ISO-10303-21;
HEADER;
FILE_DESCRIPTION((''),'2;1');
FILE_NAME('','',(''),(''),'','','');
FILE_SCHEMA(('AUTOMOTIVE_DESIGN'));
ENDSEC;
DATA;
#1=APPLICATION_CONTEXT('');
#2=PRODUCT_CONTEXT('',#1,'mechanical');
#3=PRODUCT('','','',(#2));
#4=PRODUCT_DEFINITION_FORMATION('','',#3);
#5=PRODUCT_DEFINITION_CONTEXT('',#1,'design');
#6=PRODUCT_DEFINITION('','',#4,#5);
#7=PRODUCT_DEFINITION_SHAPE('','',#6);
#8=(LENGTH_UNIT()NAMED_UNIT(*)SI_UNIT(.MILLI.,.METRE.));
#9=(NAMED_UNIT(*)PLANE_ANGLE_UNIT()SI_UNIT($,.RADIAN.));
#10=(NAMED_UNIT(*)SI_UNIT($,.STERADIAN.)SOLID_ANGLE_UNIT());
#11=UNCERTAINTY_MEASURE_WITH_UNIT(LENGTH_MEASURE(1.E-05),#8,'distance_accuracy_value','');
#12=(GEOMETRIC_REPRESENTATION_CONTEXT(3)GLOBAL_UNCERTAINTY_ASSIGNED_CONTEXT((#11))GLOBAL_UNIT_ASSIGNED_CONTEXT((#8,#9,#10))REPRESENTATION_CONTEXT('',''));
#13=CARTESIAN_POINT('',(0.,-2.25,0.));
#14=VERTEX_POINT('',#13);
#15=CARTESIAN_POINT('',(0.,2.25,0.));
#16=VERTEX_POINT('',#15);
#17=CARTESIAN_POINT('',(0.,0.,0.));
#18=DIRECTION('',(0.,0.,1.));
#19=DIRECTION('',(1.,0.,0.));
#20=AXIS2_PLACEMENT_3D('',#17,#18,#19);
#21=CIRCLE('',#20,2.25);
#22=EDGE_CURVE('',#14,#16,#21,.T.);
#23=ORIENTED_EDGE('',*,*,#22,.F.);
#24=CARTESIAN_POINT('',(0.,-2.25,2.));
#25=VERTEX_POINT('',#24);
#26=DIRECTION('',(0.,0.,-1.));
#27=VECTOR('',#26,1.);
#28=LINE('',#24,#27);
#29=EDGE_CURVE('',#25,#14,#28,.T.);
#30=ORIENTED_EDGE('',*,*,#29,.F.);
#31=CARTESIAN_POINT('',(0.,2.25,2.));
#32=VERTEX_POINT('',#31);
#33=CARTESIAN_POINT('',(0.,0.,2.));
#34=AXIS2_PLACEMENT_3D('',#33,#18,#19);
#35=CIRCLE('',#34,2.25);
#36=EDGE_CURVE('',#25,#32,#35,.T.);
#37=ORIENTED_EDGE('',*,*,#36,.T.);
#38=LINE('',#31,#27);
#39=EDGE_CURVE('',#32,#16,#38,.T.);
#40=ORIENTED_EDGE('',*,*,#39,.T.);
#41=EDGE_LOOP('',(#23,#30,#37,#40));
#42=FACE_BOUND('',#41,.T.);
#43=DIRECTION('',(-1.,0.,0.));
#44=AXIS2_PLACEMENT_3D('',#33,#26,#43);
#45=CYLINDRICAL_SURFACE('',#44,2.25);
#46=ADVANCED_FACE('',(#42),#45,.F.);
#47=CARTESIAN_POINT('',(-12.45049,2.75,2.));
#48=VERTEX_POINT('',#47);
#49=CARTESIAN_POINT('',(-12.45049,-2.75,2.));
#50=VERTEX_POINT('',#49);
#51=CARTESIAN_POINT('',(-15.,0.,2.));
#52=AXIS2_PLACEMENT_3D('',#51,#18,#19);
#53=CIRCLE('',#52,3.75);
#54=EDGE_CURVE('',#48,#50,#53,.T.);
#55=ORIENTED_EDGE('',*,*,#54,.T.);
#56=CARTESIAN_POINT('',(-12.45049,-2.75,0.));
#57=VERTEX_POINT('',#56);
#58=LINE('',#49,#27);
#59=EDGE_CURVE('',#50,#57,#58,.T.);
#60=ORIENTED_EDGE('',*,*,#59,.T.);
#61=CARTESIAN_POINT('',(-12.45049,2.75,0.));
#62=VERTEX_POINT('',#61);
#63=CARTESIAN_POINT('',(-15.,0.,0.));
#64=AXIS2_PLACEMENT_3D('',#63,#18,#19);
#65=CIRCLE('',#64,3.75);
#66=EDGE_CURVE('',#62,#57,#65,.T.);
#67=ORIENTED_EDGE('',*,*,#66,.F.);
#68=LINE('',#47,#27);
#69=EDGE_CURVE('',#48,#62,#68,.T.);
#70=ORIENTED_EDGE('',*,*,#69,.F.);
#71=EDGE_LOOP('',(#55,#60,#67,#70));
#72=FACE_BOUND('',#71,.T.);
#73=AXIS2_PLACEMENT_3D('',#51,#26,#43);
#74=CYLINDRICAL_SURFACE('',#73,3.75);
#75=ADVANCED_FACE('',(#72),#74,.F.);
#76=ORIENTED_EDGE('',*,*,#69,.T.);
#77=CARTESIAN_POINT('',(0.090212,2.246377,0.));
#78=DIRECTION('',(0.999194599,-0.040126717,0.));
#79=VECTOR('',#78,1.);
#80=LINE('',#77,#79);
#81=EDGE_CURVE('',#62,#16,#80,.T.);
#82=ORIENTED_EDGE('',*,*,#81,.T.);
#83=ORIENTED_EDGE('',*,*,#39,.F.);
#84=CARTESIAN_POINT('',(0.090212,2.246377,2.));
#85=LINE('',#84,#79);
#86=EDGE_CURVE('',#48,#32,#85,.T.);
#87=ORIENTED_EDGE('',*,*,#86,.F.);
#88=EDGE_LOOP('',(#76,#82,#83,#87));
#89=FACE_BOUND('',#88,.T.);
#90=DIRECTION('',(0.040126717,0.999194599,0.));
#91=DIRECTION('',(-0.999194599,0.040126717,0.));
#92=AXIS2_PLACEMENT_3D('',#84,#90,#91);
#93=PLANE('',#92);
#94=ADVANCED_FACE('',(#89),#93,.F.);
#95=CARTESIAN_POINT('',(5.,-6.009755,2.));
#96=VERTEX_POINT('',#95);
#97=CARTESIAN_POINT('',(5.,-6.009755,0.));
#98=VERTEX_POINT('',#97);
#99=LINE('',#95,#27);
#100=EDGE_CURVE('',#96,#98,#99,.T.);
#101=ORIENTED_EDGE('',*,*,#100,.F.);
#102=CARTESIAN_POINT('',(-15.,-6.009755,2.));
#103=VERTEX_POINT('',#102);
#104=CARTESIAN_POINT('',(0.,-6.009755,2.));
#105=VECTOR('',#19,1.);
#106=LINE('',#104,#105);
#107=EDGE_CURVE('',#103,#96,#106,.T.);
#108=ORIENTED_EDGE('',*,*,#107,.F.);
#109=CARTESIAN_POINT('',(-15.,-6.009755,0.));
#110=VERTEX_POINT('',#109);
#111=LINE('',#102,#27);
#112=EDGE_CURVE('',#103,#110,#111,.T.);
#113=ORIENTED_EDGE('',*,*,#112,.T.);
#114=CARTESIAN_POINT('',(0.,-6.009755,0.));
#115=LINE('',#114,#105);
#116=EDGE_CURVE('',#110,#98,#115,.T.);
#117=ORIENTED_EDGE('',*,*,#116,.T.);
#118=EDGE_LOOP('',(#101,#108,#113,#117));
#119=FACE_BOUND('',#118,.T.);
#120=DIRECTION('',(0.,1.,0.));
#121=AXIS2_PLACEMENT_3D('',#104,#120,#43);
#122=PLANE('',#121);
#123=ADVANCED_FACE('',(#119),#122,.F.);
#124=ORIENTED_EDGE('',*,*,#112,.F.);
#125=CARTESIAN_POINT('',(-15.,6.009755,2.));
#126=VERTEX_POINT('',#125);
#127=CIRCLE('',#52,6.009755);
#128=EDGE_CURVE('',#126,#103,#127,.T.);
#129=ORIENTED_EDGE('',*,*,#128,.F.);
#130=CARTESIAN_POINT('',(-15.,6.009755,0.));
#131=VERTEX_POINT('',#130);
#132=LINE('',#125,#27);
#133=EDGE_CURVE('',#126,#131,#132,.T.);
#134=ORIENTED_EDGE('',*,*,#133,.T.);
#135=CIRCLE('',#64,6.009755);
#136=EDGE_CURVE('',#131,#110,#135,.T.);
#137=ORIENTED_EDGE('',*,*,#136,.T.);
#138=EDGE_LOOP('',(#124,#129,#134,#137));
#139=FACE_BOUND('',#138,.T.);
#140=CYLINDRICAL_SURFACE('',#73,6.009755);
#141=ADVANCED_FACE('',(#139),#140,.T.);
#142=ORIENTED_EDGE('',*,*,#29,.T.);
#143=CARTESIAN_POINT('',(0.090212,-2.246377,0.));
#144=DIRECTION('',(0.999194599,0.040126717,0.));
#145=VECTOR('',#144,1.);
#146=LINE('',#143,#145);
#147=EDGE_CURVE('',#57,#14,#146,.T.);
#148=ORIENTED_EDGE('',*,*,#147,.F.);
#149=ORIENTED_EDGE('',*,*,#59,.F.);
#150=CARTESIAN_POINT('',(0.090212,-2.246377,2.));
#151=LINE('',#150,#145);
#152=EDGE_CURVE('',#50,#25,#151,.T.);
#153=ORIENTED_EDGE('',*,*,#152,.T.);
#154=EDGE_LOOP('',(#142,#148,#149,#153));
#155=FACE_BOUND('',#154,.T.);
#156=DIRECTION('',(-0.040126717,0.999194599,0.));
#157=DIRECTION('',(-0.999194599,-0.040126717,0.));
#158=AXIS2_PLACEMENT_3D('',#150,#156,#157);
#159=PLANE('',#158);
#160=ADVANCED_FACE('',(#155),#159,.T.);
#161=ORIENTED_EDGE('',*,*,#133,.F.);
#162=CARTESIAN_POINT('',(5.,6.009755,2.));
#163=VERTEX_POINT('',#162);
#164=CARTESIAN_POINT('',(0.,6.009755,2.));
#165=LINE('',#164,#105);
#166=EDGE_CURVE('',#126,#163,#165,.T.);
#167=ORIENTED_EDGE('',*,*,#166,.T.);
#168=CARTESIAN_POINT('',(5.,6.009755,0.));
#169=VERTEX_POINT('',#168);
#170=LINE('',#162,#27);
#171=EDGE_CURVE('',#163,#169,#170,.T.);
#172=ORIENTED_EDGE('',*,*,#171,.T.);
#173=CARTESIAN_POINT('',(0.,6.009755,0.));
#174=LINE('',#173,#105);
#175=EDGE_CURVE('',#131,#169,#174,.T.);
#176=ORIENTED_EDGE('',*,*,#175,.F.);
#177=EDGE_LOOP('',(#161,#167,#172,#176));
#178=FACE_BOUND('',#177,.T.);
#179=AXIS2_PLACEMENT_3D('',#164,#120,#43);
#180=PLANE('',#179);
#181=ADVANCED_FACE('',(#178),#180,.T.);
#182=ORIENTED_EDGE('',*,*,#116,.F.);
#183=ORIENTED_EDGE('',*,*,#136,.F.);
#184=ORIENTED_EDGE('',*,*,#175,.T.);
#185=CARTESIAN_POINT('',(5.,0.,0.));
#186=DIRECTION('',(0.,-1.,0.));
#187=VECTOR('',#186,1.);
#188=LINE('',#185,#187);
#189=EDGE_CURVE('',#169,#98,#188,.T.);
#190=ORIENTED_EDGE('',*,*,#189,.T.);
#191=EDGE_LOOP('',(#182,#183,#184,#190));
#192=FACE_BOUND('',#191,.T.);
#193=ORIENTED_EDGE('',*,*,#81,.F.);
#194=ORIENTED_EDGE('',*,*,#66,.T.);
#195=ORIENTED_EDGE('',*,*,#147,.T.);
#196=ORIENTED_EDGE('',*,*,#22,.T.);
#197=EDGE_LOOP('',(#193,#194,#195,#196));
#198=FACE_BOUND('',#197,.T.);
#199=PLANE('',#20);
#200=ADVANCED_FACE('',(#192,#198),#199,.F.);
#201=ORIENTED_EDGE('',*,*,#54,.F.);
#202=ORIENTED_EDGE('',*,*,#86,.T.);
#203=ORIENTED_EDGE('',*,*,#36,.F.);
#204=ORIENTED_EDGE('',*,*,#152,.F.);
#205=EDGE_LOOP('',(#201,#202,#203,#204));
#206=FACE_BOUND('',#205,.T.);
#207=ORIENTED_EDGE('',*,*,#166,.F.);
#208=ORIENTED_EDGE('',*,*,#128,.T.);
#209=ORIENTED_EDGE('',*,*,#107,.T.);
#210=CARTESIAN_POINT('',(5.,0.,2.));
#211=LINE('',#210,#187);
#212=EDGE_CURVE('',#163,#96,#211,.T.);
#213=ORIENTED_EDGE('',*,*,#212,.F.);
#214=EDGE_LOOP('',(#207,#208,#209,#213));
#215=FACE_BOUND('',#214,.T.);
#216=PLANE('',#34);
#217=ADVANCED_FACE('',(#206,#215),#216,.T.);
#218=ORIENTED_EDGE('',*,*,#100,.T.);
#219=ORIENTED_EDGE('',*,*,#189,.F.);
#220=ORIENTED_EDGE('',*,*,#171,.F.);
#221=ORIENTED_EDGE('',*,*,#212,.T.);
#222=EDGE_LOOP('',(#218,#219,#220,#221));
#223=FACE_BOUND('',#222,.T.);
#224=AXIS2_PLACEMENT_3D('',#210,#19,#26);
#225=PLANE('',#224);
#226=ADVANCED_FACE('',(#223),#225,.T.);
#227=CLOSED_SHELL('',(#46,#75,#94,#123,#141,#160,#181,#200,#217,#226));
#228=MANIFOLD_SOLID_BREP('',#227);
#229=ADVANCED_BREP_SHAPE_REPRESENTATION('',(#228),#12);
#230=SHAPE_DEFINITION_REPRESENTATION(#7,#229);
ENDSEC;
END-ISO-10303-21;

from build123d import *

# Parameters (mm, degrees)
BOSS_EXTRUDE1_DEPTH = 2


with BuildPart() as part:
    # Sketch1 → Boss-Extrude1 (new body)
    with BuildSketch(Plane.XY):
        with BuildLine():
            Line((5, 6.009754879), (-15, 6.009754879))
            ThreePointArc((-15, 6.009754879), (-21.009754879, 0), (-15, -6.009754879))
            Line((-15, -6.009754879), (5, -6.009754879))
            Line((5, -6.009754879), (5, 6.009754879))
        make_face()
        with BuildLine():
            ThreePointArc((-12.450490243, -2.75), (-18.75, 0), (-12.450490243, 2.75))
            Line((-12.450490243, 2.75), (0, 2.25))
            ThreePointArc((0, 2.25), (1.590990258, 1.590990258), (2.25, 0))
            ThreePointArc((2.25, 0), (1.590990258, -1.590990258), (0, -2.25))
            Line((0, -2.25), (-12.450490243, -2.75))
        make_face(mode=Mode.SUBTRACT)
    extrude(amount=BOSS_EXTRUDE1_DEPTH)


solid = part.part
